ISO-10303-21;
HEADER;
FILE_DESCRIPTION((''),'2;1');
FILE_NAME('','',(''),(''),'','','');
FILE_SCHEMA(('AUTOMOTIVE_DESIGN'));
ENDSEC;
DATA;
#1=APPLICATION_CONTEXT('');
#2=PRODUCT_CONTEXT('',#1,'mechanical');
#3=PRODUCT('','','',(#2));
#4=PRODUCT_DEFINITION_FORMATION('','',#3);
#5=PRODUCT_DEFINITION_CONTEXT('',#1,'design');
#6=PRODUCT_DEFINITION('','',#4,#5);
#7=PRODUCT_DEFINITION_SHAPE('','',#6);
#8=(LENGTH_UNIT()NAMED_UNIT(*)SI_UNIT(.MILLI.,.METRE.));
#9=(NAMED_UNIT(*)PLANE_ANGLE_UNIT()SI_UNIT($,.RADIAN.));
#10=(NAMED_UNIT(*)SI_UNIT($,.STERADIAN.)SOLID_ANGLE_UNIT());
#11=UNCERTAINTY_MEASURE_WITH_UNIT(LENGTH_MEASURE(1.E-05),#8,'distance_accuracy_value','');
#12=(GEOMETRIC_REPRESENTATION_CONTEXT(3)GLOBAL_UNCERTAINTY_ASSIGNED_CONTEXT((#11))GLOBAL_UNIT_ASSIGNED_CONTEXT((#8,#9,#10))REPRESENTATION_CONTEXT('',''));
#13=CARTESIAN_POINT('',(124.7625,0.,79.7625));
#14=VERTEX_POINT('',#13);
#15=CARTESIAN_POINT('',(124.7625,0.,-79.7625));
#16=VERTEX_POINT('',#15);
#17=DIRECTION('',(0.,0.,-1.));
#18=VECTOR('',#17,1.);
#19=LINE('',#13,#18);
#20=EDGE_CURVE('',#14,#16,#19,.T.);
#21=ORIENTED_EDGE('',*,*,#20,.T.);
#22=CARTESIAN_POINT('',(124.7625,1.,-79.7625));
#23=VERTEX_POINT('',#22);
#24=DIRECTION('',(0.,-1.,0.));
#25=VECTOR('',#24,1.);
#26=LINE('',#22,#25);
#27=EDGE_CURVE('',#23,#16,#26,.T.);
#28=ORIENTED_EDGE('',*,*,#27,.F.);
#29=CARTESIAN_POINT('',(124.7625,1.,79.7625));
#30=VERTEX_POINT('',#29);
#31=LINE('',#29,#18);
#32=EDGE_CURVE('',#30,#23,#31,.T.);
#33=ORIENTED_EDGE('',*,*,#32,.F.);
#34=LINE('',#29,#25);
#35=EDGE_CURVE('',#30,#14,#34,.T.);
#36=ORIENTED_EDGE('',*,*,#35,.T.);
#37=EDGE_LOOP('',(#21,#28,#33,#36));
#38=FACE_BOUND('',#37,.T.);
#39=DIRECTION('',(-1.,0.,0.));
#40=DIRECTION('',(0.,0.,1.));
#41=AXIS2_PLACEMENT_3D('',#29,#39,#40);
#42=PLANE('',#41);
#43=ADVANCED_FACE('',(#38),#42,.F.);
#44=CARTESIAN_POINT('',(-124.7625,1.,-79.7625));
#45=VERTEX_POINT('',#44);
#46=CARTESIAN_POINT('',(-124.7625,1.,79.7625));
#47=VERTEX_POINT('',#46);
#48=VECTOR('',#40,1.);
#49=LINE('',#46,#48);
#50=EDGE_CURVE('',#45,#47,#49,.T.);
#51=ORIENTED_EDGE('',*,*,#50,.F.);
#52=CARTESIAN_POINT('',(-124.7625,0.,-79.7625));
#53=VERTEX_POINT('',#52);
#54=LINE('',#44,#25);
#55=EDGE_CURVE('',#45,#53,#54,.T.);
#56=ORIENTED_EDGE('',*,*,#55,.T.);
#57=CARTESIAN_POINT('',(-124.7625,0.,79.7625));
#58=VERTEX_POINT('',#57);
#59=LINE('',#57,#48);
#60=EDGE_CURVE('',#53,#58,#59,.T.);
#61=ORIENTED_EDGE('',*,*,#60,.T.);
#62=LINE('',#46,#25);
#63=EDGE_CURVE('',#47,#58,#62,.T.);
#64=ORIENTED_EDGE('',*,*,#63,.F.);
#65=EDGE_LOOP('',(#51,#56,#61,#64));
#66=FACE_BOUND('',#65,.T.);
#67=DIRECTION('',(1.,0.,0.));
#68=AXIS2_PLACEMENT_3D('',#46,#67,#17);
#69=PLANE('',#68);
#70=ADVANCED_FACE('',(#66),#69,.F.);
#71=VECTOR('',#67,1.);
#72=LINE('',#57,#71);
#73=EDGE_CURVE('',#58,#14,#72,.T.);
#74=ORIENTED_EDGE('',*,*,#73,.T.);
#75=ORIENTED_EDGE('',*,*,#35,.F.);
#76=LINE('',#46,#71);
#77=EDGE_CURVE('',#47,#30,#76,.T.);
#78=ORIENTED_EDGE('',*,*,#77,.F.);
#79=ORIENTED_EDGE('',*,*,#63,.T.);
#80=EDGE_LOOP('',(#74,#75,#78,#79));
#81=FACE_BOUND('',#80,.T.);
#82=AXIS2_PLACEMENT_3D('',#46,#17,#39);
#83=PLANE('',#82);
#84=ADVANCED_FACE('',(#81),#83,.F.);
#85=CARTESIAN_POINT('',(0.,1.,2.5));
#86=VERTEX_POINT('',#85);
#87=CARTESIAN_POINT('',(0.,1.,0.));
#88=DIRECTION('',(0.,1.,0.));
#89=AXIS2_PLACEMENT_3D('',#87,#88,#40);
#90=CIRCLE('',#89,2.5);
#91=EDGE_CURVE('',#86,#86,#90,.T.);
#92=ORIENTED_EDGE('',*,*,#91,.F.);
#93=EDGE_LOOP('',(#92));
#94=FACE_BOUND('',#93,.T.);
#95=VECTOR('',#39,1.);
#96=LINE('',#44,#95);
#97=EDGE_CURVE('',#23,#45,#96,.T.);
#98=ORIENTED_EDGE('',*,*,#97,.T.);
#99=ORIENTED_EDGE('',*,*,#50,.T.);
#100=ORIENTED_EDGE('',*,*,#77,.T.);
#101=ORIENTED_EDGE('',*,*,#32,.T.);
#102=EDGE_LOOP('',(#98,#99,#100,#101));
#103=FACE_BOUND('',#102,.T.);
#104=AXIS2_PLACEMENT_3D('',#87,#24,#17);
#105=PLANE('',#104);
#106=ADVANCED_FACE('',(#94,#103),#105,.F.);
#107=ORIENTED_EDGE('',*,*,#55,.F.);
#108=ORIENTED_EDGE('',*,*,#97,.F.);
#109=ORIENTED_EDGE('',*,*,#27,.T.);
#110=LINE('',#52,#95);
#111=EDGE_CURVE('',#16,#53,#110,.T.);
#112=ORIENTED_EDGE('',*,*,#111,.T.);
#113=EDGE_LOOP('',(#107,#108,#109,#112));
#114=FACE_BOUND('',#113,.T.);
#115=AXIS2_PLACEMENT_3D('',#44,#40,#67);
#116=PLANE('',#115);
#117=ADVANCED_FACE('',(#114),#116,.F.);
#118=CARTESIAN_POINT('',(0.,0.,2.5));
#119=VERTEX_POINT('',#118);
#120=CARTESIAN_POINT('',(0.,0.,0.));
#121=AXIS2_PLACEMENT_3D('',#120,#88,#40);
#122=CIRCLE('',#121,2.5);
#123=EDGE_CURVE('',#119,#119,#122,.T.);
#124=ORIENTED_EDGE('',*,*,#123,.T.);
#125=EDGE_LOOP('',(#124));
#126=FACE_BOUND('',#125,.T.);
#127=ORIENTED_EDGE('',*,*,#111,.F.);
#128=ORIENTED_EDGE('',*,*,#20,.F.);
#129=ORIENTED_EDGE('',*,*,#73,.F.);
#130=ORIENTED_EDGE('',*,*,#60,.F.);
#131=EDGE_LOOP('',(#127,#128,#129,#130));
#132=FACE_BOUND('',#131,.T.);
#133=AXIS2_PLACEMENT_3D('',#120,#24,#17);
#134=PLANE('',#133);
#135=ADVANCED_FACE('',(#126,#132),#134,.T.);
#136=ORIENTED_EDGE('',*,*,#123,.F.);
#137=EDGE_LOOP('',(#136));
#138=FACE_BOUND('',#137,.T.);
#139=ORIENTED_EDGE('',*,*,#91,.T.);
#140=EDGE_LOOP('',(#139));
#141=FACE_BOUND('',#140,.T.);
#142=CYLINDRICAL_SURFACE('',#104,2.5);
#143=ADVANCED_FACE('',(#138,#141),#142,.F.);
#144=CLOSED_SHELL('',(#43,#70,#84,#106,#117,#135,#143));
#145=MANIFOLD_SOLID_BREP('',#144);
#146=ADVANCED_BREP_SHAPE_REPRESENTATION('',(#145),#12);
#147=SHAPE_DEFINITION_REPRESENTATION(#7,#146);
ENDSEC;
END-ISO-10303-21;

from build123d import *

# Parameters (mm, degrees)
SKETCH2_W           = 249.525
SKETCH2_H           = 159.525
SKETCH2_R           = 2.5
BOSS_EXTRUDE2_DEPTH = 1


with BuildPart() as part:
    # Sketch2 → Boss-Extrude2 (new body)
    with BuildSketch(Plane(origin=(0, 0, 0), x_dir=(1, 0, 0), z_dir=(0, 1, 0))):
        Rectangle(SKETCH2_W, SKETCH2_H)
        with Locations(Location((0, 0, 0), (0, 0, 270))):
            Circle(SKETCH2_R, mode=Mode.SUBTRACT)
    extrude(amount=BOSS_EXTRUDE2_DEPTH)


solid = part.part
